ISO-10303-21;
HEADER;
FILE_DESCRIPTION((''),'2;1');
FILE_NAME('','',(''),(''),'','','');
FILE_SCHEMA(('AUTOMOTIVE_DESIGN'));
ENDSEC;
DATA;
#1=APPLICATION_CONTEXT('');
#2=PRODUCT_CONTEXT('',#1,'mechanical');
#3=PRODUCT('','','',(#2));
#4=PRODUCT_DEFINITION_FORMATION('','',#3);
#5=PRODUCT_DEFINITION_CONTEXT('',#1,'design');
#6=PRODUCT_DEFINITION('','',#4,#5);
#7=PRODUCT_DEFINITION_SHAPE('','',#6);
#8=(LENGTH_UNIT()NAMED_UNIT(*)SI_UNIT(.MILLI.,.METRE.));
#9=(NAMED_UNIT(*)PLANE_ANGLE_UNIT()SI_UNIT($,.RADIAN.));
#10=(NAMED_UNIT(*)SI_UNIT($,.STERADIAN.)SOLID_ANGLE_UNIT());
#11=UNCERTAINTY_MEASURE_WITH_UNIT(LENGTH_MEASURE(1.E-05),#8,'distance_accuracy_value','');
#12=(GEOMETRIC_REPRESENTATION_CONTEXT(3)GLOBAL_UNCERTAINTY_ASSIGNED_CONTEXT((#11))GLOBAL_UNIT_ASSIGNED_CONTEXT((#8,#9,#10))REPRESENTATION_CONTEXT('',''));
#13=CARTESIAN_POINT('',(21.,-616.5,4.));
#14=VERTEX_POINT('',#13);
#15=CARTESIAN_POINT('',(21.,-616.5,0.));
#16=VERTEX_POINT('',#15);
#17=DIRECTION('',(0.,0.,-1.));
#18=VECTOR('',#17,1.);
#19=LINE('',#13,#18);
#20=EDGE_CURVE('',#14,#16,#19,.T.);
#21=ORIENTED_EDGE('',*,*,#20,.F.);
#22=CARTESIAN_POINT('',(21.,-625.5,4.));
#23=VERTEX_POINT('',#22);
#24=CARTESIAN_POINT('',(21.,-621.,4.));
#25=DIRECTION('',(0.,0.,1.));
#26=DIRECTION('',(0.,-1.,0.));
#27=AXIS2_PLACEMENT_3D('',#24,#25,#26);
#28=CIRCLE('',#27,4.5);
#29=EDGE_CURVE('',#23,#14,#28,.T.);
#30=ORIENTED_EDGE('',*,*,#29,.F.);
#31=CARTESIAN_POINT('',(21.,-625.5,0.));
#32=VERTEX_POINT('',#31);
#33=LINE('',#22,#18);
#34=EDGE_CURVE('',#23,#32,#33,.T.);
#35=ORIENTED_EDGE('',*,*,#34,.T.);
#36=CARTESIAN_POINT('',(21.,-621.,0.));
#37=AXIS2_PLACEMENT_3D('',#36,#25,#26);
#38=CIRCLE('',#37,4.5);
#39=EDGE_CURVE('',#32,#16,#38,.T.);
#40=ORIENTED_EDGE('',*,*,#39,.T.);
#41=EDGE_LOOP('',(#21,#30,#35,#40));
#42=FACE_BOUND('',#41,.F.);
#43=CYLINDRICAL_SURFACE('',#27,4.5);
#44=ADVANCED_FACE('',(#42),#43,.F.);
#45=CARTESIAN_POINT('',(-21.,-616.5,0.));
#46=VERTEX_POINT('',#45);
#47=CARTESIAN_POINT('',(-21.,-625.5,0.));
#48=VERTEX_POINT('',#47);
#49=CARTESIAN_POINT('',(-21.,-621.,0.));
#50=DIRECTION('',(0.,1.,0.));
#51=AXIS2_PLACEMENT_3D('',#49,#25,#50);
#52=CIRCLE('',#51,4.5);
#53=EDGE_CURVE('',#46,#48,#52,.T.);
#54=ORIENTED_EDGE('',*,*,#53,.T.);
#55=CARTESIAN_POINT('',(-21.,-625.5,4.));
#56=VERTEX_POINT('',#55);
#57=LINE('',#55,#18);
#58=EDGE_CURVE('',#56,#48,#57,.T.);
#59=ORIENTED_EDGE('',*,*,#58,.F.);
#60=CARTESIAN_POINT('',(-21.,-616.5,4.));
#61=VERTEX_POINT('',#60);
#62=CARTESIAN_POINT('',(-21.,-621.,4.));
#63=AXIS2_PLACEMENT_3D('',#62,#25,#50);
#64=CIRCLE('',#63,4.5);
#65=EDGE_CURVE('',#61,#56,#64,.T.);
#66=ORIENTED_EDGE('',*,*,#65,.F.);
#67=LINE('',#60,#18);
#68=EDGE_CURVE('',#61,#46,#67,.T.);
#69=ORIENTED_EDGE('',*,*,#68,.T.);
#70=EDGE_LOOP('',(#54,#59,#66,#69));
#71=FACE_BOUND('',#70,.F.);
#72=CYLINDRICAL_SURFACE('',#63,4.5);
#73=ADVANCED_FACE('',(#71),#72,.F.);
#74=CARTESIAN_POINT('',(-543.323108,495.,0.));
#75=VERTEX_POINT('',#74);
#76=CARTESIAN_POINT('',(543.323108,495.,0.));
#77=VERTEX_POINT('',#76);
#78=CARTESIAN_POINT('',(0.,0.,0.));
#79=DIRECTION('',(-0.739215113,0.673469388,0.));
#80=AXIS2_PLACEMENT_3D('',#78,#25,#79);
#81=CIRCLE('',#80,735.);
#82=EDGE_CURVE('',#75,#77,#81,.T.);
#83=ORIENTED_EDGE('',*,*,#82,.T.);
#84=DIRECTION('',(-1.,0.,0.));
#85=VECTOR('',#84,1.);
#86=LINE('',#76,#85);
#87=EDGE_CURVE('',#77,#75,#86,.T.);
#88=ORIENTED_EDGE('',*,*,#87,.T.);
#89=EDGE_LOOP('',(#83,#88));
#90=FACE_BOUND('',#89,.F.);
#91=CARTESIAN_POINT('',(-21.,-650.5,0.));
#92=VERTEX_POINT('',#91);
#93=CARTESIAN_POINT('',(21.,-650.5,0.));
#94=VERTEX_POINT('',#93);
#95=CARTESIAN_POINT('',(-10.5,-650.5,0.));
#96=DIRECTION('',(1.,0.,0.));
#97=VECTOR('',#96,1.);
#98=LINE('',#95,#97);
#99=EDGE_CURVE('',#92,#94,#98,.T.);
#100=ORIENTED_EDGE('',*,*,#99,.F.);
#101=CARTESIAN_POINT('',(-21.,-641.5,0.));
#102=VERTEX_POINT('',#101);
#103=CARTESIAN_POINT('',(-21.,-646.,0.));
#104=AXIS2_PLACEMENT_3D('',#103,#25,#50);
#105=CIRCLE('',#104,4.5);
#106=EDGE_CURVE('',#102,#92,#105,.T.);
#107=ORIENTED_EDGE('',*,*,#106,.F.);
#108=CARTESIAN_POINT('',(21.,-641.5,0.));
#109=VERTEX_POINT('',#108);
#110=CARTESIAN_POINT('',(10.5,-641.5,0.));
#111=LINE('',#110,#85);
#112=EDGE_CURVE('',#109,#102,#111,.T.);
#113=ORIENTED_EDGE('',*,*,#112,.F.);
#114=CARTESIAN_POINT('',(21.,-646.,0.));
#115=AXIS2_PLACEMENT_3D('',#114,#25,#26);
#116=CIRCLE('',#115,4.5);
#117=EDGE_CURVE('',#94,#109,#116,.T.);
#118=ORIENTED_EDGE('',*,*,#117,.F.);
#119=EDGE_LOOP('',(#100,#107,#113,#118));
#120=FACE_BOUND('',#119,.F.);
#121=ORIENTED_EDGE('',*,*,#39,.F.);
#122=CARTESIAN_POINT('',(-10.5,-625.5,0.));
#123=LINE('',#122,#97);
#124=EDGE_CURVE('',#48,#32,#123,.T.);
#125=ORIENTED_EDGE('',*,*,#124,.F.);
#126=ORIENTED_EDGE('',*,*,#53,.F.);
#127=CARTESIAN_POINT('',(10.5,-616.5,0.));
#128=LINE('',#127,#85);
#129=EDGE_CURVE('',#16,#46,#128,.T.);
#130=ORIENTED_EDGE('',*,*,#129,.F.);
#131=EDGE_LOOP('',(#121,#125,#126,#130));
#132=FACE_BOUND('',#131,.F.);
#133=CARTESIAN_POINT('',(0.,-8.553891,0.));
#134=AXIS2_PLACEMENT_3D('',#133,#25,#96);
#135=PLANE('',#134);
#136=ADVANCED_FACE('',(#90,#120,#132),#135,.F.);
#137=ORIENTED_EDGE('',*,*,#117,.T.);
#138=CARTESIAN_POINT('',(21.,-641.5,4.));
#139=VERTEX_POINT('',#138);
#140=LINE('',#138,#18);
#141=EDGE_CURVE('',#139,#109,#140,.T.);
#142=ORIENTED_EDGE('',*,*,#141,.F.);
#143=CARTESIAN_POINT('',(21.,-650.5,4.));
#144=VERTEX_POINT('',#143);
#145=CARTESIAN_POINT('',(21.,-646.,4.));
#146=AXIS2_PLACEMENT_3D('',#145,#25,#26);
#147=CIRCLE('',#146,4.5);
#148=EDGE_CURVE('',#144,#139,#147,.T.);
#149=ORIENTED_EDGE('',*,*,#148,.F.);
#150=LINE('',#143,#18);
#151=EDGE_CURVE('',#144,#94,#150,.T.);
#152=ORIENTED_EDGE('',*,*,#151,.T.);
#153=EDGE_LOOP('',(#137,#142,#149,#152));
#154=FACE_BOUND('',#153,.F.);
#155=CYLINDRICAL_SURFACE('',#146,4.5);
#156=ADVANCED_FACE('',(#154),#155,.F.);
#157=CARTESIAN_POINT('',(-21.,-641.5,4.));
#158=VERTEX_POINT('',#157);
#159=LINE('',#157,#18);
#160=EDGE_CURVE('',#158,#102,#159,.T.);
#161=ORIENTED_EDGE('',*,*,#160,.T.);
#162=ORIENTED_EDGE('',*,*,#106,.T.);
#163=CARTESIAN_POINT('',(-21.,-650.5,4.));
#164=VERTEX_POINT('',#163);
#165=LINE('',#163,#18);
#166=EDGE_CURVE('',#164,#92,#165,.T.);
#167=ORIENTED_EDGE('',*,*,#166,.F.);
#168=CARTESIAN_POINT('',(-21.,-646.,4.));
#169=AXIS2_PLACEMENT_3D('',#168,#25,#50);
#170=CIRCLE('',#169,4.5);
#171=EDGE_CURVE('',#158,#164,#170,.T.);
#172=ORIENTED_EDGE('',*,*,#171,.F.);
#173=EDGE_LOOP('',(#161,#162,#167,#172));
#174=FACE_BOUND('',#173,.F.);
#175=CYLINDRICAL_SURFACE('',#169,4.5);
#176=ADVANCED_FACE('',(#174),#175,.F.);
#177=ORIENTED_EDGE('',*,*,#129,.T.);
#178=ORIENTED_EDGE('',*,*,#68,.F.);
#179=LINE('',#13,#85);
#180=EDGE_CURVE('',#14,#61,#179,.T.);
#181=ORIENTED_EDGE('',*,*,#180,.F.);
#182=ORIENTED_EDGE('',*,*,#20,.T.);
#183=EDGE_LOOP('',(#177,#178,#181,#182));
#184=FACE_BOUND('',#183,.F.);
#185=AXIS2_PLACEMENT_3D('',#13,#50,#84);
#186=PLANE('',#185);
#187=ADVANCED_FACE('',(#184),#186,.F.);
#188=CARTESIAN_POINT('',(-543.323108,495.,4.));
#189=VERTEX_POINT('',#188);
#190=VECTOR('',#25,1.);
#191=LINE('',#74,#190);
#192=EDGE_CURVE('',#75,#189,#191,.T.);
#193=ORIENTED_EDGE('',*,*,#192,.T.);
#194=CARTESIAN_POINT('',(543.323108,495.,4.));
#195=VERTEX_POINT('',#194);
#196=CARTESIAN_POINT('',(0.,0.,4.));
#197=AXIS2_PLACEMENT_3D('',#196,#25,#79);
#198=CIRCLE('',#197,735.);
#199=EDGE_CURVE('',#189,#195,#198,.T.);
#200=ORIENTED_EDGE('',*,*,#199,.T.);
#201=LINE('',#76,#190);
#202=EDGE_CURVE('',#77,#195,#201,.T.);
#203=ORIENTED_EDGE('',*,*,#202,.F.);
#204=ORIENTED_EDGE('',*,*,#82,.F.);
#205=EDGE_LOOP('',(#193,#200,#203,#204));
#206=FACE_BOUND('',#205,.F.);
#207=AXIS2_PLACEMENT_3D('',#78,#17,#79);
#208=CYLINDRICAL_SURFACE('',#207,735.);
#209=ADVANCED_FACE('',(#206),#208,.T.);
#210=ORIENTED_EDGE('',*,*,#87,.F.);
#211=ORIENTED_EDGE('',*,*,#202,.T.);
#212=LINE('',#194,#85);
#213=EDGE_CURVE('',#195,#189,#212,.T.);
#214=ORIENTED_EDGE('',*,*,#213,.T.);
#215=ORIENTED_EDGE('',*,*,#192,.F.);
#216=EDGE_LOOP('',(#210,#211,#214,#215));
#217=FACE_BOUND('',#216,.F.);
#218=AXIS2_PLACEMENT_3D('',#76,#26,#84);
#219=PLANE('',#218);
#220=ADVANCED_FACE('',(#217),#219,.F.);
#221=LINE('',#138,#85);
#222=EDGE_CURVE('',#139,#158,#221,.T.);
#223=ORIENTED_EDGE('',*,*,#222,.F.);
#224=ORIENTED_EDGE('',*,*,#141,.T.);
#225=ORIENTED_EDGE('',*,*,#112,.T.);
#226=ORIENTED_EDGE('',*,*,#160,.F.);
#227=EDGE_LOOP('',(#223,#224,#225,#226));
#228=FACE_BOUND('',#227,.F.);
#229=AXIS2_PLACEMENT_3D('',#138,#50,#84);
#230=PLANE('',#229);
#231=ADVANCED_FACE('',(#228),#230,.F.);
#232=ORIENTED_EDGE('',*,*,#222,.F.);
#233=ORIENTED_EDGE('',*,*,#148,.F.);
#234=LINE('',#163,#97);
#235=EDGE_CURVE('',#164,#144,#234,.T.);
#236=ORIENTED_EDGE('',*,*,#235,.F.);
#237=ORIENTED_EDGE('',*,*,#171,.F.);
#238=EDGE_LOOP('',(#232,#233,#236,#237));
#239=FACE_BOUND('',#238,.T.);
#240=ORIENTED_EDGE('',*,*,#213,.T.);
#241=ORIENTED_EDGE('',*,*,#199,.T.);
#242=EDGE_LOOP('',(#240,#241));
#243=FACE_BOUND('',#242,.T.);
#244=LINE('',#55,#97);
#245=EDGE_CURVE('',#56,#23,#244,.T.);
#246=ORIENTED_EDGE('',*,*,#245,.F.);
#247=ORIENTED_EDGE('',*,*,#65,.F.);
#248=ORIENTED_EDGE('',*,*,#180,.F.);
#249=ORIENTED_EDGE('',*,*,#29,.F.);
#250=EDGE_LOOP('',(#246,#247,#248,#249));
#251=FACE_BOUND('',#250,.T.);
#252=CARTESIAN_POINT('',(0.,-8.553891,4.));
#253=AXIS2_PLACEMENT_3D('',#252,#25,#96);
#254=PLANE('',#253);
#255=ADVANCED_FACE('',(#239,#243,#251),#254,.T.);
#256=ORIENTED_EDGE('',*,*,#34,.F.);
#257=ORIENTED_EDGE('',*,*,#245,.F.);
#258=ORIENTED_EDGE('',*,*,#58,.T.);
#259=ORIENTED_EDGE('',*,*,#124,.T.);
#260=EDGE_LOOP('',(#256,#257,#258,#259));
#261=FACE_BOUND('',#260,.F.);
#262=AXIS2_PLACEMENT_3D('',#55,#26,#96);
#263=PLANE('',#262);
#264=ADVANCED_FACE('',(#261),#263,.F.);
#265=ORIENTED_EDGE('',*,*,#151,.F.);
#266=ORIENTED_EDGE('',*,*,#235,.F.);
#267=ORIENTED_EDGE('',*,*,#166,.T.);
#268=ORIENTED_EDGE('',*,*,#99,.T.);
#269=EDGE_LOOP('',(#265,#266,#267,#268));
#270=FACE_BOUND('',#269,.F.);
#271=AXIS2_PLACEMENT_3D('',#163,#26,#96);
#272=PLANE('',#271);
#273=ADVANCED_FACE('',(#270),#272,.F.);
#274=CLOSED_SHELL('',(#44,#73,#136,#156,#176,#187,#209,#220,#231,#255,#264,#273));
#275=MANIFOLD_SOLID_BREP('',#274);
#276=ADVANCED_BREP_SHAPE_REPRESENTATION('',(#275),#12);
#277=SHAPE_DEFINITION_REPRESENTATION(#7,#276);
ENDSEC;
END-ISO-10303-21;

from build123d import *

# Parameters (mm, degrees)
F1_DEPTH = 4
F3_DEPTH = 25


with BuildPart() as f1:
    # F0 (on Top) → F1 (new body)
    with BuildSketch(Plane.XY):
        with BuildLine():
            Line((543.323108, 495), (-543.323108, 495))
            ThreePointArc((-543.323108, 495), (0, -735), (543.323108, 495))
        make_face()
    extrude(amount=F1_DEPTH)

    # F2 (on face) → F3 (cut)
    with BuildSketch(Plane.XY.offset(4)):
        with BuildLine():
            Line((21, -616.5), (-21, -616.5))
            ThreePointArc((-21, -616.5), (-25.5, -621), (-21, -625.5))
            Line((-21, -625.5), (21, -625.5))
            ThreePointArc((21, -625.5), (25.5, -621), (21, -616.5))
        make_face()
        with BuildLine():
            Line((21, -641.5), (-21, -641.5))
            ThreePointArc((-21, -641.5), (-25.5, -646), (-21, -650.5))
            Line((-21, -650.5), (21, -650.5))
            ThreePointArc((21, -650.5), (25.5, -646), (21, -641.5))
        make_face()
    extrude(amount=-F3_DEPTH, mode=Mode.SUBTRACT)


solid = f1.part
